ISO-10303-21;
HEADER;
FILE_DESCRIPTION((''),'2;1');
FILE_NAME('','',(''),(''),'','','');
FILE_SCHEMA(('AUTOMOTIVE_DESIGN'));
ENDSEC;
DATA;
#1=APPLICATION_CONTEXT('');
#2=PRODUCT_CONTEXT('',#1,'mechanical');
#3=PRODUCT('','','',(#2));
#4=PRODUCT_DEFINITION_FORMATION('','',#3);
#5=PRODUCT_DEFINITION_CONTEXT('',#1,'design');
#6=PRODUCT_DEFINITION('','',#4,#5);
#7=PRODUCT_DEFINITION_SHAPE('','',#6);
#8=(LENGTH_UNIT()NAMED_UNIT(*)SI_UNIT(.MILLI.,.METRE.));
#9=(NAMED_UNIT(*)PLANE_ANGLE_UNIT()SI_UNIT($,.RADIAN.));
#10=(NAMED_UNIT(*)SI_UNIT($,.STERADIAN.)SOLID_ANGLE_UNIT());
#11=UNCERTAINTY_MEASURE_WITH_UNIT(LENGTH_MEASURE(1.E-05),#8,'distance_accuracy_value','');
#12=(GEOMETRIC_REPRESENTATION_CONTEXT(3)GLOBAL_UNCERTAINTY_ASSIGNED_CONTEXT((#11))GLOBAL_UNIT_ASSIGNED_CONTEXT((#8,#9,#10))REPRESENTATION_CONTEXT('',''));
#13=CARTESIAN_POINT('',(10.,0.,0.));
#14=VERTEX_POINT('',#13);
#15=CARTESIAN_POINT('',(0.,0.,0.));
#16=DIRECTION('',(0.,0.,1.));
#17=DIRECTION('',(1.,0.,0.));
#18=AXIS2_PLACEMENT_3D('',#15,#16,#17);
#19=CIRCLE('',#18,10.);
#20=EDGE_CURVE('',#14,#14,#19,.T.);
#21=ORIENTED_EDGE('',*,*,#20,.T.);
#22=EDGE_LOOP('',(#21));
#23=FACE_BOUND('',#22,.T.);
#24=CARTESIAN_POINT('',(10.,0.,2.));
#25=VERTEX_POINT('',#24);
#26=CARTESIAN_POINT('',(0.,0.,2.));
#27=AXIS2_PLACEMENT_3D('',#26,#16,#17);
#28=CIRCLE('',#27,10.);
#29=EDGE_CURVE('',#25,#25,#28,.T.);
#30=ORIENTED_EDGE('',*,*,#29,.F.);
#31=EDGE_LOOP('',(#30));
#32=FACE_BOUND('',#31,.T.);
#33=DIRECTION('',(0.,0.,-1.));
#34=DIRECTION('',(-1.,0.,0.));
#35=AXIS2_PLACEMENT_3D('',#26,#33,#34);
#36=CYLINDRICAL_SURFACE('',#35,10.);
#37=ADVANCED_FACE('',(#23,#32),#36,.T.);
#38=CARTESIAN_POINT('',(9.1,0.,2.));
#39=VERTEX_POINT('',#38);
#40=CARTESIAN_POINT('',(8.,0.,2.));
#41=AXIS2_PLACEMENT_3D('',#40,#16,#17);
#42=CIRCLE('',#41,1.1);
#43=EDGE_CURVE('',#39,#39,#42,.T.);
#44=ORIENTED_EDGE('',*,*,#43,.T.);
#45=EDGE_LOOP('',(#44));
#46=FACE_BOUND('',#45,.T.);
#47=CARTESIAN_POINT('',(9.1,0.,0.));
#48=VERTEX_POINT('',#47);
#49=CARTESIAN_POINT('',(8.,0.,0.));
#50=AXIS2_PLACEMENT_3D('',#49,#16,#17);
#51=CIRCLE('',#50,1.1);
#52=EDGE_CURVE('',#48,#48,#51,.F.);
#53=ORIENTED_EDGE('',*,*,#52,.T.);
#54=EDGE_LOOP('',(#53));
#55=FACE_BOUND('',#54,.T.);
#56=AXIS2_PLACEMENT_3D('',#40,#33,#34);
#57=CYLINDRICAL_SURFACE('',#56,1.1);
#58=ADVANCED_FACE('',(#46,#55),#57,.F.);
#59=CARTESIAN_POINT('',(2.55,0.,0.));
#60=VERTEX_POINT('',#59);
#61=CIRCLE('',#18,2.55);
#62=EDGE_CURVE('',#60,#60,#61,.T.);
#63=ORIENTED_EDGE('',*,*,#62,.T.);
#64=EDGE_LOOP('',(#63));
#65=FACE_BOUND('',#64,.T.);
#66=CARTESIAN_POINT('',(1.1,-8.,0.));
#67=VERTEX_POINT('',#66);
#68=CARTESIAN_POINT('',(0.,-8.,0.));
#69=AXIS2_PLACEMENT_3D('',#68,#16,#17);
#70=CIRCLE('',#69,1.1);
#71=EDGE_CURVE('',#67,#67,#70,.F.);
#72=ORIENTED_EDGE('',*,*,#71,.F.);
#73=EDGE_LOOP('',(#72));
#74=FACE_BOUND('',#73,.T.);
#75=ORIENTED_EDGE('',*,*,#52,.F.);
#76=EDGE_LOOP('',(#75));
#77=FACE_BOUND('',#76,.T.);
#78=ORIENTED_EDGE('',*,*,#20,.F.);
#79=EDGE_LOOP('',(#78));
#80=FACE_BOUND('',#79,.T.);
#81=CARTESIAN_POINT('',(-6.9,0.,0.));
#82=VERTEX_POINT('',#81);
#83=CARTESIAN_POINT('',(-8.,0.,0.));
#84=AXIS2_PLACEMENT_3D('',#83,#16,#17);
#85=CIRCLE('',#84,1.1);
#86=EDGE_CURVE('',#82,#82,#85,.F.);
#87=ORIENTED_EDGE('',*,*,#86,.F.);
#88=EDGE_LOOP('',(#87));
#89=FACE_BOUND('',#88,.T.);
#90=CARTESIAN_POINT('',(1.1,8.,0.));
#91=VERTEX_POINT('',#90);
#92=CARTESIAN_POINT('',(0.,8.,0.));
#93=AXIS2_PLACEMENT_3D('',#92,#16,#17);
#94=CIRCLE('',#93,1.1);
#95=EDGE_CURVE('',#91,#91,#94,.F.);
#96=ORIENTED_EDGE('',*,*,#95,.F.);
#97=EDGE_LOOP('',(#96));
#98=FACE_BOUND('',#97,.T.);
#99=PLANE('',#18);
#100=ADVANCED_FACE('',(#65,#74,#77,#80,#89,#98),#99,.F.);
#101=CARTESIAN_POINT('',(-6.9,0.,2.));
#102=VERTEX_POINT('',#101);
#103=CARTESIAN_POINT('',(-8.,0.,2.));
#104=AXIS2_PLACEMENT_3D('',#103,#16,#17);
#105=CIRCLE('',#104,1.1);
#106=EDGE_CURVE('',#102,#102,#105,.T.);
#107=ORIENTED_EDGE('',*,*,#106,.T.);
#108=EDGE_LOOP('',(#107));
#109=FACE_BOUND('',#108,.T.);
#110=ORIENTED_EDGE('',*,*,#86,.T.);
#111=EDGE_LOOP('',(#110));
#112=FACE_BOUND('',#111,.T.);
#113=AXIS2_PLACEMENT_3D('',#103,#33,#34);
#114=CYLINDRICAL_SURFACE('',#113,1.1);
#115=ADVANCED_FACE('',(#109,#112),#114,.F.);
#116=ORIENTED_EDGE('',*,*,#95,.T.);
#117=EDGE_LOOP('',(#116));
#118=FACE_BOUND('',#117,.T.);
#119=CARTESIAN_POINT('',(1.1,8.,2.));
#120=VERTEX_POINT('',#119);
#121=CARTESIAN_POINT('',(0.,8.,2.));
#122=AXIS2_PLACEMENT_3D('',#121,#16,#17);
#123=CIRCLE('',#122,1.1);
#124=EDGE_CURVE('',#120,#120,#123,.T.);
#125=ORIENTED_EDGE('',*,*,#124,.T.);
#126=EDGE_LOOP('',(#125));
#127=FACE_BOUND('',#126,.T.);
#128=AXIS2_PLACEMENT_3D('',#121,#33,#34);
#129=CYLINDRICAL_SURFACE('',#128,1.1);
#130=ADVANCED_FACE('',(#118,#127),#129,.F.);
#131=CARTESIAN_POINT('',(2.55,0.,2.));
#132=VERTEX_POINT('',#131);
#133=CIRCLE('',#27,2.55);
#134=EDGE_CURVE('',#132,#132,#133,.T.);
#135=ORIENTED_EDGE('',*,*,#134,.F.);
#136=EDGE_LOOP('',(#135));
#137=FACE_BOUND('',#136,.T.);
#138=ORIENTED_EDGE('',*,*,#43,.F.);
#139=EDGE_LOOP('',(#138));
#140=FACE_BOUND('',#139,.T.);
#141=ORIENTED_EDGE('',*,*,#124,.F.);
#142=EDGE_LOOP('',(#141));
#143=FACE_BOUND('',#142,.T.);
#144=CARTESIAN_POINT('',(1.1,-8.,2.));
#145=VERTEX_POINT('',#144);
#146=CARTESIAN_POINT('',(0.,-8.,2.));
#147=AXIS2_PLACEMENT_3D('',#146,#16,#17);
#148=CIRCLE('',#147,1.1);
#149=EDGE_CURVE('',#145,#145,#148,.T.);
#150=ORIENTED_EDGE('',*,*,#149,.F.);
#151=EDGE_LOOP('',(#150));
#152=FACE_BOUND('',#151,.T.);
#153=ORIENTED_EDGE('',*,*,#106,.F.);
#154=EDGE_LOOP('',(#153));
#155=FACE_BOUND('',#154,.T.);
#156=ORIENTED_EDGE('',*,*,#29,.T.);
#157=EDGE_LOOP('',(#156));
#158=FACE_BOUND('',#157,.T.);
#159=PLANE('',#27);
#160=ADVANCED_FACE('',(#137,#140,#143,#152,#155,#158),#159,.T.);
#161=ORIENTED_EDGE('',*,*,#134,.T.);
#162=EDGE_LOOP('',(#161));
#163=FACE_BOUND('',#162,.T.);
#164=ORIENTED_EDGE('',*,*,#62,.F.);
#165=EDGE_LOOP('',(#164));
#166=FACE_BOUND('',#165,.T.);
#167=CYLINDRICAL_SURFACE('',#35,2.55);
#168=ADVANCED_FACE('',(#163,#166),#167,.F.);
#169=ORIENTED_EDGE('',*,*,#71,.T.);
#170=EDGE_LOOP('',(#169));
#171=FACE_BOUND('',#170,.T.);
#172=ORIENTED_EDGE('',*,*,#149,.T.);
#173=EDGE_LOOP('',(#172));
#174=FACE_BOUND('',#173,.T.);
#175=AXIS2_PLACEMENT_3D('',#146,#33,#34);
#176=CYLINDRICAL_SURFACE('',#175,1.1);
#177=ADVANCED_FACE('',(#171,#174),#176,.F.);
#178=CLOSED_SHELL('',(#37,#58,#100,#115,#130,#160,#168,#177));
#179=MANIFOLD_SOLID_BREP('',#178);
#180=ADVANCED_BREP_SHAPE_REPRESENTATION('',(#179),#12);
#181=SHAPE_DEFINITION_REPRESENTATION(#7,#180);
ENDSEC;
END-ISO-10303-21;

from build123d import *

# Parameters (mm, degrees)
HORN_PLATE_ENVELOPE_PROFILE_R           = 10
HORN_PLATE_ENVELOPE_PROFILE_R_2         = 2.55
HORN_PLATE_ENVELOPE_DEPTH               = 2
NOMINAL_HORN_ATTACHMENT_HOLES_START     = -50
NOMINAL_HORN_ATTACHMENT_HOLES_PROFILE_R = 1.1
NOMINAL_HORN_ATTACHMENT_HOLES_DEPTH     = 65.282856857


with BuildPart() as part:
    # Horn_plate_envelope_profile → Horn_plate_envelope (new body)
    with BuildSketch(Plane.XY):
        Circle(HORN_PLATE_ENVELOPE_PROFILE_R)
        Circle(HORN_PLATE_ENVELOPE_PROFILE_R_2, mode=Mode.SUBTRACT)
    extrude(amount=HORN_PLATE_ENVELOPE_DEPTH)

    # Nominal_horn_attachment_holes_profile → Nominal_horn_attachment_holes (cut, through all)
    with BuildSketch(Plane.XY.offset(NOMINAL_HORN_ATTACHMENT_HOLES_START)):
        with Locations((-8, 0)):
            Circle(NOMINAL_HORN_ATTACHMENT_HOLES_PROFILE_R)
        with Locations((8, 0)):
            Circle(NOMINAL_HORN_ATTACHMENT_HOLES_PROFILE_R)
        with Locations((0, -8)):
            Circle(NOMINAL_HORN_ATTACHMENT_HOLES_PROFILE_R)
        with Locations((0, 8)):
            Circle(NOMINAL_HORN_ATTACHMENT_HOLES_PROFILE_R)
    extrude(amount=NOMINAL_HORN_ATTACHMENT_HOLES_DEPTH, mode=Mode.SUBTRACT)


solid = part.part
